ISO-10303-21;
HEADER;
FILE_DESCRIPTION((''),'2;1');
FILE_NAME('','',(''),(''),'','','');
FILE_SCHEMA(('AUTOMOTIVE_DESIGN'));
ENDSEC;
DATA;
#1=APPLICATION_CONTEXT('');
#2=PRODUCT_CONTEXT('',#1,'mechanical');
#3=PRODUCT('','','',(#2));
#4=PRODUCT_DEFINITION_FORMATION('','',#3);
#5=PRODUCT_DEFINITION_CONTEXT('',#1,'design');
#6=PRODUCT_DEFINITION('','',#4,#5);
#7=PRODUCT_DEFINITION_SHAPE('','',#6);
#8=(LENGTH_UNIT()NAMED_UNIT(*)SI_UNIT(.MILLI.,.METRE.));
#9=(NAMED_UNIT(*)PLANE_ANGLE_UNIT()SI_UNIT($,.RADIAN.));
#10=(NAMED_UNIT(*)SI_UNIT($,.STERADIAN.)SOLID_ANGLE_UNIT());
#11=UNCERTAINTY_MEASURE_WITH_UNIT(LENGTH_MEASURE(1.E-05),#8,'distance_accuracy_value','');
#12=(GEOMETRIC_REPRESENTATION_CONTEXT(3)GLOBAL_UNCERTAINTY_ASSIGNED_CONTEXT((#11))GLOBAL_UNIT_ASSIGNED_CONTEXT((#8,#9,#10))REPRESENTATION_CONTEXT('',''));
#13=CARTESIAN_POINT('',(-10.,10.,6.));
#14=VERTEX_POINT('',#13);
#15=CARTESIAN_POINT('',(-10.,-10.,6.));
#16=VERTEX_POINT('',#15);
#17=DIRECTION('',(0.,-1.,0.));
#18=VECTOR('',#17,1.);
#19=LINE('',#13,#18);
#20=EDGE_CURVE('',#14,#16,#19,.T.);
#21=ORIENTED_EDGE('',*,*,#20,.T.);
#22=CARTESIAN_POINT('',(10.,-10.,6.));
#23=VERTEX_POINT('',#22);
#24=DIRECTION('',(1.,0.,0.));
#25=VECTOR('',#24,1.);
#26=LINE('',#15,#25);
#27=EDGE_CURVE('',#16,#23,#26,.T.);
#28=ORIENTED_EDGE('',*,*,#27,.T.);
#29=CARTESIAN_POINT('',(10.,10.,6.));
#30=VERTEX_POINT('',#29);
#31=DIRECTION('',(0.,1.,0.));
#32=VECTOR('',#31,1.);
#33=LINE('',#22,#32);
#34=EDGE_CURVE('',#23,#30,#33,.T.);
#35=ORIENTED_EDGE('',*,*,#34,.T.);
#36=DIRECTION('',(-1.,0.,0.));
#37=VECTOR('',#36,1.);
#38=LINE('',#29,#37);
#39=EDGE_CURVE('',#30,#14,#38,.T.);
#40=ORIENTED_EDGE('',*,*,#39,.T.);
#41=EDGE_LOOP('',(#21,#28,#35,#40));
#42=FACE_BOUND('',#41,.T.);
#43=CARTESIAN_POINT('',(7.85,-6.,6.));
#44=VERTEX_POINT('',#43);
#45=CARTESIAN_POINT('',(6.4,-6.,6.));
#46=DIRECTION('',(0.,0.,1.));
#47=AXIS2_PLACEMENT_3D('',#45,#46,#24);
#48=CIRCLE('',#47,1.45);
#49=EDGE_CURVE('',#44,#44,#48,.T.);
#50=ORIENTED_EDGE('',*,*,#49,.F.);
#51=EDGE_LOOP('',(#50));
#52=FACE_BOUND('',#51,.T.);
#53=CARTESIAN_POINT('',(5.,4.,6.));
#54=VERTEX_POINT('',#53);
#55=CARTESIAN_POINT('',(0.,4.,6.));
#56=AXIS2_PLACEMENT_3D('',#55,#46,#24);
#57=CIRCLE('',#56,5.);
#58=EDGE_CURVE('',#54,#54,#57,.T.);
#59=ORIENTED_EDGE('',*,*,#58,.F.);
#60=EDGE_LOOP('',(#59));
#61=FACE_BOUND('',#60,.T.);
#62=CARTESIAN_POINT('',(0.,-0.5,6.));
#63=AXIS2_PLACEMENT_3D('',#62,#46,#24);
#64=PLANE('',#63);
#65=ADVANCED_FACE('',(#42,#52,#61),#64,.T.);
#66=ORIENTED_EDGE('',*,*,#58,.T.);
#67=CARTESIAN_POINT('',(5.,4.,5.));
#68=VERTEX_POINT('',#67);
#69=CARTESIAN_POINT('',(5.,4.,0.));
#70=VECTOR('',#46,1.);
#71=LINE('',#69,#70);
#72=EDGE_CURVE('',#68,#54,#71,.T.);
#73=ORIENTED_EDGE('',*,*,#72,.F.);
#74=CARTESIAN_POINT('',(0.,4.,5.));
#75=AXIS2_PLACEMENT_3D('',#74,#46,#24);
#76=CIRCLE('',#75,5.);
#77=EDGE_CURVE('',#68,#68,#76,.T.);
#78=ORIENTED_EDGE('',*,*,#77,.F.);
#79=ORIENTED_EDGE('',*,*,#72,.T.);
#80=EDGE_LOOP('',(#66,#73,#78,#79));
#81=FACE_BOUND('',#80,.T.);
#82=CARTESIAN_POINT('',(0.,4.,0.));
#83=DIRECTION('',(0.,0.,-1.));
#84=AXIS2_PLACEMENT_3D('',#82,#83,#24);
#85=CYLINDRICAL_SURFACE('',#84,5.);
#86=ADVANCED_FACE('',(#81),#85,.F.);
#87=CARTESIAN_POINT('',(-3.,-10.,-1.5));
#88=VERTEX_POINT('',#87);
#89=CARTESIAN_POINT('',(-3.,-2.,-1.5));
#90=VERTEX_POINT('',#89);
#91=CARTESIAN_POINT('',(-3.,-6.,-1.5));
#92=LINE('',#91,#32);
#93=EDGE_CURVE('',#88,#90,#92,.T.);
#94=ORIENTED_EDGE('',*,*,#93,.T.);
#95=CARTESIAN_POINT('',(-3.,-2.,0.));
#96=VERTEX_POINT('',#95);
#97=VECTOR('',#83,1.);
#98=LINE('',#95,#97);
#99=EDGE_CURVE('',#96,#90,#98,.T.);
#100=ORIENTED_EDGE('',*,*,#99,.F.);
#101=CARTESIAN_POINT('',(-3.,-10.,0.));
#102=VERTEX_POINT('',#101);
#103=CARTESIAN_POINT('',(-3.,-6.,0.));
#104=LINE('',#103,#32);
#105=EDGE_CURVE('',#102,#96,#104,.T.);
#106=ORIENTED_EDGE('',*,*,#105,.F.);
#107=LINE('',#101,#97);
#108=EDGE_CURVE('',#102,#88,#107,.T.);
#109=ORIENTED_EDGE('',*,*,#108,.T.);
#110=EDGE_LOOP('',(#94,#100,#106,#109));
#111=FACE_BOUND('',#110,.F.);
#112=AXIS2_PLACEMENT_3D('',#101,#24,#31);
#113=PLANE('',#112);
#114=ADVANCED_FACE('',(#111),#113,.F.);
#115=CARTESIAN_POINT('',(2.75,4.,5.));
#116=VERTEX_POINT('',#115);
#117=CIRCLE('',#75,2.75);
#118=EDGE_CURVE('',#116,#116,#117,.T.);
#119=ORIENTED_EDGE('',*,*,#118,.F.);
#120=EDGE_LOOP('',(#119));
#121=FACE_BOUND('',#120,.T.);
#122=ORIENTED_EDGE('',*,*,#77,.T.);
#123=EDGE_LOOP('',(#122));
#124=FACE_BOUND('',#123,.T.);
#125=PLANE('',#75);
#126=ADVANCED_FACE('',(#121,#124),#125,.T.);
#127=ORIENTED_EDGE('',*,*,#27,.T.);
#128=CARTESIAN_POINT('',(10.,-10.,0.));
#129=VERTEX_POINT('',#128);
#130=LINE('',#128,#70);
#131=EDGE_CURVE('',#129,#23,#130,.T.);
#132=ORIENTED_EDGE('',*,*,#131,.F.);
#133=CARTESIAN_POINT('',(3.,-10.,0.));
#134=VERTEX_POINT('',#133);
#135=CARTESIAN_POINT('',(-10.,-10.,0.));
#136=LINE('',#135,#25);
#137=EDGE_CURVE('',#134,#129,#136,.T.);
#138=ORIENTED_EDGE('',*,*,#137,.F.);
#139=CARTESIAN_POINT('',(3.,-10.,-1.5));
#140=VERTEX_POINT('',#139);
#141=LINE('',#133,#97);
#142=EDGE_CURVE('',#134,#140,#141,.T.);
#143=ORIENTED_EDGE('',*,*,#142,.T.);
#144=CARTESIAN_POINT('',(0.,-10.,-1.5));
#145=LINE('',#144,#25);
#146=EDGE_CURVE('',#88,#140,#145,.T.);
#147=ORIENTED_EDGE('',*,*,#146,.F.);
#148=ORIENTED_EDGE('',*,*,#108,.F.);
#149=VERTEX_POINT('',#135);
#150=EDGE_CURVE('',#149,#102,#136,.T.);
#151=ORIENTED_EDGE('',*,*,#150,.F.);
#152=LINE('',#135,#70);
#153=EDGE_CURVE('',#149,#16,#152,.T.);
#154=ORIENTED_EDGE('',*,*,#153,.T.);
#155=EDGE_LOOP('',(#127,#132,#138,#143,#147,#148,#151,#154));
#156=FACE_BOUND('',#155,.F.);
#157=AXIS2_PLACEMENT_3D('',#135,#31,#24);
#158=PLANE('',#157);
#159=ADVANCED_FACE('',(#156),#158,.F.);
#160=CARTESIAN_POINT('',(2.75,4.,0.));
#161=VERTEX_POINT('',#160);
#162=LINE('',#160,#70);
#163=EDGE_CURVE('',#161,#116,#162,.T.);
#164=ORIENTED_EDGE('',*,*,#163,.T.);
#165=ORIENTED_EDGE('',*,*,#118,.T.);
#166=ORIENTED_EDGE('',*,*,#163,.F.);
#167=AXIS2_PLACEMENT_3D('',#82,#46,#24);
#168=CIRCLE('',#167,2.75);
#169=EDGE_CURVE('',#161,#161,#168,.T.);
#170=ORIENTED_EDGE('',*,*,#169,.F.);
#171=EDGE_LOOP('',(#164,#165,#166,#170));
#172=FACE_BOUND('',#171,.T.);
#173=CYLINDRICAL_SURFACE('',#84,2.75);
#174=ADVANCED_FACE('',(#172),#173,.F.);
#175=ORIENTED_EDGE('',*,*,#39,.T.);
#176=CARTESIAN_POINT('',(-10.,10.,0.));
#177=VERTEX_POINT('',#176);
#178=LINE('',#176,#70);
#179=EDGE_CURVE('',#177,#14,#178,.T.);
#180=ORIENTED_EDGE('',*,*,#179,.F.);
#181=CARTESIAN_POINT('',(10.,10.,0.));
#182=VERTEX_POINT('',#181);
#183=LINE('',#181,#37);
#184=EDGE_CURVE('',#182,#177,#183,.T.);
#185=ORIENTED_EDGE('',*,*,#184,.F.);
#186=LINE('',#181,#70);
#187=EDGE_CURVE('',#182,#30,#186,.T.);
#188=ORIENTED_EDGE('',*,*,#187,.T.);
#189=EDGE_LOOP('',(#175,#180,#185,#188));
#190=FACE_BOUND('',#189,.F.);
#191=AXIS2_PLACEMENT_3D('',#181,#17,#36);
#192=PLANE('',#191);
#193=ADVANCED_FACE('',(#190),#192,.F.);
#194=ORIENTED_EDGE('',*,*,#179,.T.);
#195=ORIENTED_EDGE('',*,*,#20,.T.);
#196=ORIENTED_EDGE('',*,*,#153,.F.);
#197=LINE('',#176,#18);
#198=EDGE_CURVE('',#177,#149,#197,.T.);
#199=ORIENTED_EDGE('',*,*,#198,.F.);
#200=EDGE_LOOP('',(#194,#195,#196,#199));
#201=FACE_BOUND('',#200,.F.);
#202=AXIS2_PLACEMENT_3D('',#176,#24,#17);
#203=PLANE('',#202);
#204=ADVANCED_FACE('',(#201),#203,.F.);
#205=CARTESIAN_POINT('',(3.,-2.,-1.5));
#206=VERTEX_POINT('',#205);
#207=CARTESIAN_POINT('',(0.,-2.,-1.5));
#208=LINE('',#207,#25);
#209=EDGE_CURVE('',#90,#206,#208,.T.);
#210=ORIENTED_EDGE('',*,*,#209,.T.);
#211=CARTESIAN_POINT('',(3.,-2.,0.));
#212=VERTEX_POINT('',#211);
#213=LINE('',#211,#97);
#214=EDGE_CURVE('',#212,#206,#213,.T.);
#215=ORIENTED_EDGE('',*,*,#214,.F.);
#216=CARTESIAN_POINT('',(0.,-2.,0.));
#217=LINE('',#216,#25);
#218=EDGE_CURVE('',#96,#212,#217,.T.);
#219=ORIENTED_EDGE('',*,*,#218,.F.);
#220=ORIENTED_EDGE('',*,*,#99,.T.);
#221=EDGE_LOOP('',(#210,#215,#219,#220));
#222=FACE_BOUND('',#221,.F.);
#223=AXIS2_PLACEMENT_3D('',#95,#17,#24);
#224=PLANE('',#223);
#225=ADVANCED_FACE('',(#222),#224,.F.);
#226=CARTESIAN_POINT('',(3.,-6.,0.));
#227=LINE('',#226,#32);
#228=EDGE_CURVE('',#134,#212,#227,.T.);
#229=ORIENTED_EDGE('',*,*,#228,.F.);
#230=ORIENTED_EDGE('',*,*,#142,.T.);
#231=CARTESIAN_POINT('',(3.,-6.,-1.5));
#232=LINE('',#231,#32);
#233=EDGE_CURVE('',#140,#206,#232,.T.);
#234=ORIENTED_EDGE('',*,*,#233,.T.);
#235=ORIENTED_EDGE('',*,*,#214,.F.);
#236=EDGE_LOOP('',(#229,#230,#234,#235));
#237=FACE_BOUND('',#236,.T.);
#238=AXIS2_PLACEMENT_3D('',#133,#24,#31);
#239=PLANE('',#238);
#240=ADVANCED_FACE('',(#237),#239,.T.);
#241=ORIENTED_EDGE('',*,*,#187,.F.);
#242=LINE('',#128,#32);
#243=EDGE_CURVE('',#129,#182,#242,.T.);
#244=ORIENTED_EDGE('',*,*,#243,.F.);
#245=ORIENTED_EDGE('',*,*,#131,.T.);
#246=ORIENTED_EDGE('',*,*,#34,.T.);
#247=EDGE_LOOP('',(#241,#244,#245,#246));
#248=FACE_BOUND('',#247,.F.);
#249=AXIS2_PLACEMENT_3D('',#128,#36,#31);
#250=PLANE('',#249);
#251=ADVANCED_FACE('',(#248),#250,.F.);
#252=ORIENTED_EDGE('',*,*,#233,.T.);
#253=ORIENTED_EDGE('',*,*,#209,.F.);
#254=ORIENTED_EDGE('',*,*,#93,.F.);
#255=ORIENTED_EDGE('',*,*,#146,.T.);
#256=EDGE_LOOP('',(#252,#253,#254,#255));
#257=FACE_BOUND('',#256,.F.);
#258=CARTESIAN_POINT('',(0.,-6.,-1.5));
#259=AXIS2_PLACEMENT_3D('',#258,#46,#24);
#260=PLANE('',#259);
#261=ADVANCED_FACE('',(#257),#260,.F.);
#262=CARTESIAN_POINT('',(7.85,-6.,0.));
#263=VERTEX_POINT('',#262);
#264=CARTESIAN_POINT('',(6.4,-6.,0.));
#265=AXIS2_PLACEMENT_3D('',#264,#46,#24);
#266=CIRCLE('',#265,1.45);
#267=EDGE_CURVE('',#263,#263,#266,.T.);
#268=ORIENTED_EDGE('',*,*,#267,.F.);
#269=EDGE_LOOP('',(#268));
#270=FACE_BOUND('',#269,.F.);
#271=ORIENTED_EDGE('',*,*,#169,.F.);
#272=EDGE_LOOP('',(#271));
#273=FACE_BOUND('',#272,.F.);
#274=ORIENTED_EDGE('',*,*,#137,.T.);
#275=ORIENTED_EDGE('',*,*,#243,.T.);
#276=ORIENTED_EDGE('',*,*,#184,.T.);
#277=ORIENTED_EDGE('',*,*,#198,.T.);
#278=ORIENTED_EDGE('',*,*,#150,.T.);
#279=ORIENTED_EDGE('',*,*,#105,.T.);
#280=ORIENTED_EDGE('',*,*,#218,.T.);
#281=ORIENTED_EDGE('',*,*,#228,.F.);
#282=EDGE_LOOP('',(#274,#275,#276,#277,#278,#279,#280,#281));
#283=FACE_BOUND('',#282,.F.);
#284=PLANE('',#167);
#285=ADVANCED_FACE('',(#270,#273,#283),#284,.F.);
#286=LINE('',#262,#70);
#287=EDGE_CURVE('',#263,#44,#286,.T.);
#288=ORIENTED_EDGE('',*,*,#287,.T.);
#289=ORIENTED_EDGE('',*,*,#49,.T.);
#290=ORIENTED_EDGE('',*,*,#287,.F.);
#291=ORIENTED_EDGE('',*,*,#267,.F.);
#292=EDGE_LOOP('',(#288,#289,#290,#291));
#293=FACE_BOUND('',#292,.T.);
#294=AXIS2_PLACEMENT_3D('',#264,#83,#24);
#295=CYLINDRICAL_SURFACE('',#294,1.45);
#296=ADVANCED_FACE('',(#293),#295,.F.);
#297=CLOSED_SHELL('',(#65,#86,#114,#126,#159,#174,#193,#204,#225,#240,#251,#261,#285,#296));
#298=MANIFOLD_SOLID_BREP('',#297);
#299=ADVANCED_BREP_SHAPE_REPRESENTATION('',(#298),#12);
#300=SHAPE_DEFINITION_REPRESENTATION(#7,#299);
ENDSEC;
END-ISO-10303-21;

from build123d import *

# Parameters (mm, degrees)
F0_R     = 1.45
F0_R_2   = 5
F0_W     = 6
F0_H     = 8
F1_DEPTH = 6
F2_DEPTH = 1.5
F0_R_3   = 2.75
F3_DEPTH = 5


with BuildPart() as f1:
    # F0 (on Top) → F1 (new body)
    with BuildSketch(Plane.XY):
        Polygon((3, -10), (10, -10), (10, 10), (-10, 10), (-10, -10), (-3, -10), (-3, -2), (3, -2), align=None)
        with Locations((6.4, -6)):
            Circle(F0_R, mode=Mode.SUBTRACT)
        with Locations((0, 4)):
            Circle(F0_R_2, mode=Mode.SUBTRACT)
        with Locations((0, -6)):
            Rectangle(F0_W, F0_H)
    extrude(amount=F1_DEPTH)

    # F0 (on Top) → F2 (join)
    with BuildSketch(Plane.XY):
        with Locations((0, -6)):
            Rectangle(F0_W, F0_H)
    extrude(amount=-F2_DEPTH)

    # F0 (on Top) → F3 (join)
    with BuildSketch(Plane.XY):
        with Locations((0, 4)):
            Circle(F0_R_2)
        with Locations((0, 4)):
            Circle(F0_R_3, mode=Mode.SUBTRACT)
    extrude(amount=F3_DEPTH)


solid = f1.part
